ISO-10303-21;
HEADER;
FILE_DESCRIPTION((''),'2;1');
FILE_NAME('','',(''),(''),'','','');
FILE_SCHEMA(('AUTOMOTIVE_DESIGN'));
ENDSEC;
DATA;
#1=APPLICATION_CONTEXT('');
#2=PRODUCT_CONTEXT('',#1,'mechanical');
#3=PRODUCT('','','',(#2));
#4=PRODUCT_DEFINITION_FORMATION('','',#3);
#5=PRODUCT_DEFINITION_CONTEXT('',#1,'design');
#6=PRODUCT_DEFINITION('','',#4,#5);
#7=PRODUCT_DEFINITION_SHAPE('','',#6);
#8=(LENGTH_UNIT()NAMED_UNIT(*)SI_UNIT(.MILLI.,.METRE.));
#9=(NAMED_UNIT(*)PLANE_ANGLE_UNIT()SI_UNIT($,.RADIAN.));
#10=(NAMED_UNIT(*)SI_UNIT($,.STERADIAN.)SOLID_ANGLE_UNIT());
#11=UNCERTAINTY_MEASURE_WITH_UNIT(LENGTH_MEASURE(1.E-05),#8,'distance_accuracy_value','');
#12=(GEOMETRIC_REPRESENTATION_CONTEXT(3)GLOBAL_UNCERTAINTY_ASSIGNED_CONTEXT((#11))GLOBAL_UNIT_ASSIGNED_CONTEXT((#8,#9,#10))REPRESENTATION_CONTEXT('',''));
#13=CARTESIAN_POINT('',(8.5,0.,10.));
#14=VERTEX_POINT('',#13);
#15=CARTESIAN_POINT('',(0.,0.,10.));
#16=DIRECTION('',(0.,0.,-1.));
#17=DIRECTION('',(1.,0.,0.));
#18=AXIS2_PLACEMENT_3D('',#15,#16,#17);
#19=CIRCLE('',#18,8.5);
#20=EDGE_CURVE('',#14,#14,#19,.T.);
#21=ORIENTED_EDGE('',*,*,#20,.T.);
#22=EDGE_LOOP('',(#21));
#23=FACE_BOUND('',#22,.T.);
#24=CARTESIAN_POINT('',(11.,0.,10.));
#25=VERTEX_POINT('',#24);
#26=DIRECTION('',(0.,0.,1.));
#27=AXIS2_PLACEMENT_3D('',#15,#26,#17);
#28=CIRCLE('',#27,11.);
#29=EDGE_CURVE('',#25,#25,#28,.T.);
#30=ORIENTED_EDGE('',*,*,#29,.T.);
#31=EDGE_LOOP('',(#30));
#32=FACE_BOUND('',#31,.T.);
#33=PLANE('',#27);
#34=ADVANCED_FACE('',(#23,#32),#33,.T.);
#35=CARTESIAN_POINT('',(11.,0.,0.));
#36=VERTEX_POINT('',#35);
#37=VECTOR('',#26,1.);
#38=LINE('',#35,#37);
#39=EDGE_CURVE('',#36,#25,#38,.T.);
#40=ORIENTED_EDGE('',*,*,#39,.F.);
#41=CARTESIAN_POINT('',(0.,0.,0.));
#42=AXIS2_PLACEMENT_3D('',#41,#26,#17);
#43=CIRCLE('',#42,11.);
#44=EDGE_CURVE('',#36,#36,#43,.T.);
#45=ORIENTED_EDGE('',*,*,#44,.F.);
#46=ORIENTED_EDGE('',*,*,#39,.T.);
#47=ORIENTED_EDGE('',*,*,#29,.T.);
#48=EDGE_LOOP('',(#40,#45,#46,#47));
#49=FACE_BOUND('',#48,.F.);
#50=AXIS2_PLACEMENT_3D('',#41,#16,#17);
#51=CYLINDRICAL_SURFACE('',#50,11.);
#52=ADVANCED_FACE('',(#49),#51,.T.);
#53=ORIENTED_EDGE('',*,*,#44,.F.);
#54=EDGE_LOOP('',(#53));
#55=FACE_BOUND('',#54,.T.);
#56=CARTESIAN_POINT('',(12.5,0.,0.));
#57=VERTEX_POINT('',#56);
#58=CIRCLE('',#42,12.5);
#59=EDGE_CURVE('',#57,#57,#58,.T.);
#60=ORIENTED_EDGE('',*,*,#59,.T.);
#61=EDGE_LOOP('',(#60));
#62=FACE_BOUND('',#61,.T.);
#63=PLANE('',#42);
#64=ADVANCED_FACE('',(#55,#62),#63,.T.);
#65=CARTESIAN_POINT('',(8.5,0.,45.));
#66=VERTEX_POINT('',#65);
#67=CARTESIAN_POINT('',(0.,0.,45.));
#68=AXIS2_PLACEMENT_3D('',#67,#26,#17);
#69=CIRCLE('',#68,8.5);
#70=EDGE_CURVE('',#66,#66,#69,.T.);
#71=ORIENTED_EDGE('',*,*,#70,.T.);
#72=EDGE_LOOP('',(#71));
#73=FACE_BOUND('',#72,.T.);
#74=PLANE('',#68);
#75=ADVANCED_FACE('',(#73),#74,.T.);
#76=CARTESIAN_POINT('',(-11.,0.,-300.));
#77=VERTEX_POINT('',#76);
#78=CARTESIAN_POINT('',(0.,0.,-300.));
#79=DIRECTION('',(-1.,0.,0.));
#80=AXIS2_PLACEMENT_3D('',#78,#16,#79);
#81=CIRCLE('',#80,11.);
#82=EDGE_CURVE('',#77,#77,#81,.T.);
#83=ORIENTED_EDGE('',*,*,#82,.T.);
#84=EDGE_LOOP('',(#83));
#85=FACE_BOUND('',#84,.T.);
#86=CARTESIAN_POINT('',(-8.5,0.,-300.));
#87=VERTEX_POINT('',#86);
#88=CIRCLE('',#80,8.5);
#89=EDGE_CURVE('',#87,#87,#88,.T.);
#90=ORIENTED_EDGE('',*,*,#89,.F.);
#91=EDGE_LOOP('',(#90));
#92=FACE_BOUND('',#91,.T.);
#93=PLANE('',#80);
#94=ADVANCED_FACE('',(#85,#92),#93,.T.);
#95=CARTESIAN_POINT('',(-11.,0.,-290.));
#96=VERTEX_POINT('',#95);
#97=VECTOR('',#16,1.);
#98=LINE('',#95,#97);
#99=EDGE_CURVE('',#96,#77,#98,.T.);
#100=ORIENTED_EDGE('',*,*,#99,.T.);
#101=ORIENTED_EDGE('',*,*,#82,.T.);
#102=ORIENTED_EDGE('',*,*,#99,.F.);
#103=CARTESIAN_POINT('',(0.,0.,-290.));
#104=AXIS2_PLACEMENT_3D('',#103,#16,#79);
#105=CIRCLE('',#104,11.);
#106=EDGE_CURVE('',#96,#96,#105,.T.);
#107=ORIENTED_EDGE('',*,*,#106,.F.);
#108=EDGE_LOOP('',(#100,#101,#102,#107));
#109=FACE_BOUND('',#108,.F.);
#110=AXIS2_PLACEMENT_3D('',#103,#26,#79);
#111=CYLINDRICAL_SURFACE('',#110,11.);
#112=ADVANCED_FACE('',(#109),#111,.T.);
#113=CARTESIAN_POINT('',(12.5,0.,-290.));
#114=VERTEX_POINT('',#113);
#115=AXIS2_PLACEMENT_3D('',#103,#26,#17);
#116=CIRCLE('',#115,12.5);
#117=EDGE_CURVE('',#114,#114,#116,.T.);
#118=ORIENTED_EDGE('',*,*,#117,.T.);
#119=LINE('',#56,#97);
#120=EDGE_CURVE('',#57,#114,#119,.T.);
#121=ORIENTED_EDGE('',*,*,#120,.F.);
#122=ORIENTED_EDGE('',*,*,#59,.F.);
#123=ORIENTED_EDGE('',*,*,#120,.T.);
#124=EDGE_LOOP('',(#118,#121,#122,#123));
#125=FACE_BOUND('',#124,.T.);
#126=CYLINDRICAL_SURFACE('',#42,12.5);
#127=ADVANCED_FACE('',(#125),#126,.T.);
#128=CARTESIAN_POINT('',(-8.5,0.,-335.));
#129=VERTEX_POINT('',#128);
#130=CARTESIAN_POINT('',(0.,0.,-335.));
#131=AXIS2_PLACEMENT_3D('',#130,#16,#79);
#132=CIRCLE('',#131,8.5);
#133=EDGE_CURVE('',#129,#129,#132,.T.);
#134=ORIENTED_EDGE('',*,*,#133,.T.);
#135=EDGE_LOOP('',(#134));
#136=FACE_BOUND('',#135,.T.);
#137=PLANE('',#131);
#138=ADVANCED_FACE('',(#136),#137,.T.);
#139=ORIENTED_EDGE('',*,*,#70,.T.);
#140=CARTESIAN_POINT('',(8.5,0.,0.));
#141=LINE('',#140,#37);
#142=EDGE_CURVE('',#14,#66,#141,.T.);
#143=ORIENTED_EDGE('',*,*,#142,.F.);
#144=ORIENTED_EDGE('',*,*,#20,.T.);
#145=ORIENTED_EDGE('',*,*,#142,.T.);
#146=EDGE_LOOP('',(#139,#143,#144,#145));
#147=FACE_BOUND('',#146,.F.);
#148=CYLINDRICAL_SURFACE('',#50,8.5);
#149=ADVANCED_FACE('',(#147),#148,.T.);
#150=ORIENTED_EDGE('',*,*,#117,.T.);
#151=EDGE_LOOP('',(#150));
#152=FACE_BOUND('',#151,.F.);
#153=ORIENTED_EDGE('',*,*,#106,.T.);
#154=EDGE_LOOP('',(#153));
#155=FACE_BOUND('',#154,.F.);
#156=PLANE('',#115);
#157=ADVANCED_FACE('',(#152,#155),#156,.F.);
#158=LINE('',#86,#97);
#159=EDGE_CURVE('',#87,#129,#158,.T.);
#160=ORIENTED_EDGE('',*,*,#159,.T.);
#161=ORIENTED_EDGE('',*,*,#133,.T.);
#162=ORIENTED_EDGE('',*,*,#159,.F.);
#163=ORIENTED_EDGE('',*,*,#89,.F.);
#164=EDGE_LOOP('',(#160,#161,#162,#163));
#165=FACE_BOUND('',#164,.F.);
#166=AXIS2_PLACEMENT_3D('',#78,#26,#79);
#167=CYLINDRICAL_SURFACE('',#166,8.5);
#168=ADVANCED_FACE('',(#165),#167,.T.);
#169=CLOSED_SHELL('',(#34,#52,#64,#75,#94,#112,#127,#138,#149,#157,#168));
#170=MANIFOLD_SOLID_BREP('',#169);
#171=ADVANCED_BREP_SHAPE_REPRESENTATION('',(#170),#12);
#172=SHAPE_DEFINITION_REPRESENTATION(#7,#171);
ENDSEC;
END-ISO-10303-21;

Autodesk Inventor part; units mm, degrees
ref_plane "YZ Plane" through (0, 0, 0) normal (1, 0, 0) x (0, 1, 0)
ref_plane "XZ Plane" through (0, 0, 0) normal (0, 1, 0) x (-1, 0, 0)
ref_plane "XY Plane" through (0, 0, 0) normal (0, 0, 1) x (1, 0, 0)
sketch "Sketch1" plane through (0, 0, 0) normal (0, 0, 1) x (1, 0, 0)
  circle A0 centre (0, 0) radius 12.5
  dimension "d0" = 25
extrude "Extrusion1" add sketch "Sketch1" against normal blind 290
sketch "Sketch2" plane through (0, 0, 0) normal (0, 0, 1) x (1, 0, 0)
  circle A0 centre (0, 0) radius 11
  dimension "d3" = 22
extrude "Extrusion2" add sketch "Sketch2" along normal blind 10
sketch "Sketch3" plane through (0, 0, 0) normal (0, 0, 1) x (1, 0, 0)
  circle A0 centre (0, 0) radius 8.5
  dimension "d6" = 17
extrude "Extrusion3" add sketch "Sketch3" along normal blind 45
sketch "Sketch4" plane through (0, 0, -290) normal (0, 0, -1) x (-1, 0, 0)
  circle A0 centre (0, 0) radius 11
  dimension "d9" = 22
extrude "Extrusion4" add sketch "Sketch4" along normal blind 10
sketch "Sketch5" plane through (0, 0, -300) normal (0, 0, -1) x (-1, 0, 0)
  circle A0 centre (0, 0) radius 8.5
  dimension "d12" = 17
extrude "Extrusion5" add sketch "Sketch5" along normal blind 35
